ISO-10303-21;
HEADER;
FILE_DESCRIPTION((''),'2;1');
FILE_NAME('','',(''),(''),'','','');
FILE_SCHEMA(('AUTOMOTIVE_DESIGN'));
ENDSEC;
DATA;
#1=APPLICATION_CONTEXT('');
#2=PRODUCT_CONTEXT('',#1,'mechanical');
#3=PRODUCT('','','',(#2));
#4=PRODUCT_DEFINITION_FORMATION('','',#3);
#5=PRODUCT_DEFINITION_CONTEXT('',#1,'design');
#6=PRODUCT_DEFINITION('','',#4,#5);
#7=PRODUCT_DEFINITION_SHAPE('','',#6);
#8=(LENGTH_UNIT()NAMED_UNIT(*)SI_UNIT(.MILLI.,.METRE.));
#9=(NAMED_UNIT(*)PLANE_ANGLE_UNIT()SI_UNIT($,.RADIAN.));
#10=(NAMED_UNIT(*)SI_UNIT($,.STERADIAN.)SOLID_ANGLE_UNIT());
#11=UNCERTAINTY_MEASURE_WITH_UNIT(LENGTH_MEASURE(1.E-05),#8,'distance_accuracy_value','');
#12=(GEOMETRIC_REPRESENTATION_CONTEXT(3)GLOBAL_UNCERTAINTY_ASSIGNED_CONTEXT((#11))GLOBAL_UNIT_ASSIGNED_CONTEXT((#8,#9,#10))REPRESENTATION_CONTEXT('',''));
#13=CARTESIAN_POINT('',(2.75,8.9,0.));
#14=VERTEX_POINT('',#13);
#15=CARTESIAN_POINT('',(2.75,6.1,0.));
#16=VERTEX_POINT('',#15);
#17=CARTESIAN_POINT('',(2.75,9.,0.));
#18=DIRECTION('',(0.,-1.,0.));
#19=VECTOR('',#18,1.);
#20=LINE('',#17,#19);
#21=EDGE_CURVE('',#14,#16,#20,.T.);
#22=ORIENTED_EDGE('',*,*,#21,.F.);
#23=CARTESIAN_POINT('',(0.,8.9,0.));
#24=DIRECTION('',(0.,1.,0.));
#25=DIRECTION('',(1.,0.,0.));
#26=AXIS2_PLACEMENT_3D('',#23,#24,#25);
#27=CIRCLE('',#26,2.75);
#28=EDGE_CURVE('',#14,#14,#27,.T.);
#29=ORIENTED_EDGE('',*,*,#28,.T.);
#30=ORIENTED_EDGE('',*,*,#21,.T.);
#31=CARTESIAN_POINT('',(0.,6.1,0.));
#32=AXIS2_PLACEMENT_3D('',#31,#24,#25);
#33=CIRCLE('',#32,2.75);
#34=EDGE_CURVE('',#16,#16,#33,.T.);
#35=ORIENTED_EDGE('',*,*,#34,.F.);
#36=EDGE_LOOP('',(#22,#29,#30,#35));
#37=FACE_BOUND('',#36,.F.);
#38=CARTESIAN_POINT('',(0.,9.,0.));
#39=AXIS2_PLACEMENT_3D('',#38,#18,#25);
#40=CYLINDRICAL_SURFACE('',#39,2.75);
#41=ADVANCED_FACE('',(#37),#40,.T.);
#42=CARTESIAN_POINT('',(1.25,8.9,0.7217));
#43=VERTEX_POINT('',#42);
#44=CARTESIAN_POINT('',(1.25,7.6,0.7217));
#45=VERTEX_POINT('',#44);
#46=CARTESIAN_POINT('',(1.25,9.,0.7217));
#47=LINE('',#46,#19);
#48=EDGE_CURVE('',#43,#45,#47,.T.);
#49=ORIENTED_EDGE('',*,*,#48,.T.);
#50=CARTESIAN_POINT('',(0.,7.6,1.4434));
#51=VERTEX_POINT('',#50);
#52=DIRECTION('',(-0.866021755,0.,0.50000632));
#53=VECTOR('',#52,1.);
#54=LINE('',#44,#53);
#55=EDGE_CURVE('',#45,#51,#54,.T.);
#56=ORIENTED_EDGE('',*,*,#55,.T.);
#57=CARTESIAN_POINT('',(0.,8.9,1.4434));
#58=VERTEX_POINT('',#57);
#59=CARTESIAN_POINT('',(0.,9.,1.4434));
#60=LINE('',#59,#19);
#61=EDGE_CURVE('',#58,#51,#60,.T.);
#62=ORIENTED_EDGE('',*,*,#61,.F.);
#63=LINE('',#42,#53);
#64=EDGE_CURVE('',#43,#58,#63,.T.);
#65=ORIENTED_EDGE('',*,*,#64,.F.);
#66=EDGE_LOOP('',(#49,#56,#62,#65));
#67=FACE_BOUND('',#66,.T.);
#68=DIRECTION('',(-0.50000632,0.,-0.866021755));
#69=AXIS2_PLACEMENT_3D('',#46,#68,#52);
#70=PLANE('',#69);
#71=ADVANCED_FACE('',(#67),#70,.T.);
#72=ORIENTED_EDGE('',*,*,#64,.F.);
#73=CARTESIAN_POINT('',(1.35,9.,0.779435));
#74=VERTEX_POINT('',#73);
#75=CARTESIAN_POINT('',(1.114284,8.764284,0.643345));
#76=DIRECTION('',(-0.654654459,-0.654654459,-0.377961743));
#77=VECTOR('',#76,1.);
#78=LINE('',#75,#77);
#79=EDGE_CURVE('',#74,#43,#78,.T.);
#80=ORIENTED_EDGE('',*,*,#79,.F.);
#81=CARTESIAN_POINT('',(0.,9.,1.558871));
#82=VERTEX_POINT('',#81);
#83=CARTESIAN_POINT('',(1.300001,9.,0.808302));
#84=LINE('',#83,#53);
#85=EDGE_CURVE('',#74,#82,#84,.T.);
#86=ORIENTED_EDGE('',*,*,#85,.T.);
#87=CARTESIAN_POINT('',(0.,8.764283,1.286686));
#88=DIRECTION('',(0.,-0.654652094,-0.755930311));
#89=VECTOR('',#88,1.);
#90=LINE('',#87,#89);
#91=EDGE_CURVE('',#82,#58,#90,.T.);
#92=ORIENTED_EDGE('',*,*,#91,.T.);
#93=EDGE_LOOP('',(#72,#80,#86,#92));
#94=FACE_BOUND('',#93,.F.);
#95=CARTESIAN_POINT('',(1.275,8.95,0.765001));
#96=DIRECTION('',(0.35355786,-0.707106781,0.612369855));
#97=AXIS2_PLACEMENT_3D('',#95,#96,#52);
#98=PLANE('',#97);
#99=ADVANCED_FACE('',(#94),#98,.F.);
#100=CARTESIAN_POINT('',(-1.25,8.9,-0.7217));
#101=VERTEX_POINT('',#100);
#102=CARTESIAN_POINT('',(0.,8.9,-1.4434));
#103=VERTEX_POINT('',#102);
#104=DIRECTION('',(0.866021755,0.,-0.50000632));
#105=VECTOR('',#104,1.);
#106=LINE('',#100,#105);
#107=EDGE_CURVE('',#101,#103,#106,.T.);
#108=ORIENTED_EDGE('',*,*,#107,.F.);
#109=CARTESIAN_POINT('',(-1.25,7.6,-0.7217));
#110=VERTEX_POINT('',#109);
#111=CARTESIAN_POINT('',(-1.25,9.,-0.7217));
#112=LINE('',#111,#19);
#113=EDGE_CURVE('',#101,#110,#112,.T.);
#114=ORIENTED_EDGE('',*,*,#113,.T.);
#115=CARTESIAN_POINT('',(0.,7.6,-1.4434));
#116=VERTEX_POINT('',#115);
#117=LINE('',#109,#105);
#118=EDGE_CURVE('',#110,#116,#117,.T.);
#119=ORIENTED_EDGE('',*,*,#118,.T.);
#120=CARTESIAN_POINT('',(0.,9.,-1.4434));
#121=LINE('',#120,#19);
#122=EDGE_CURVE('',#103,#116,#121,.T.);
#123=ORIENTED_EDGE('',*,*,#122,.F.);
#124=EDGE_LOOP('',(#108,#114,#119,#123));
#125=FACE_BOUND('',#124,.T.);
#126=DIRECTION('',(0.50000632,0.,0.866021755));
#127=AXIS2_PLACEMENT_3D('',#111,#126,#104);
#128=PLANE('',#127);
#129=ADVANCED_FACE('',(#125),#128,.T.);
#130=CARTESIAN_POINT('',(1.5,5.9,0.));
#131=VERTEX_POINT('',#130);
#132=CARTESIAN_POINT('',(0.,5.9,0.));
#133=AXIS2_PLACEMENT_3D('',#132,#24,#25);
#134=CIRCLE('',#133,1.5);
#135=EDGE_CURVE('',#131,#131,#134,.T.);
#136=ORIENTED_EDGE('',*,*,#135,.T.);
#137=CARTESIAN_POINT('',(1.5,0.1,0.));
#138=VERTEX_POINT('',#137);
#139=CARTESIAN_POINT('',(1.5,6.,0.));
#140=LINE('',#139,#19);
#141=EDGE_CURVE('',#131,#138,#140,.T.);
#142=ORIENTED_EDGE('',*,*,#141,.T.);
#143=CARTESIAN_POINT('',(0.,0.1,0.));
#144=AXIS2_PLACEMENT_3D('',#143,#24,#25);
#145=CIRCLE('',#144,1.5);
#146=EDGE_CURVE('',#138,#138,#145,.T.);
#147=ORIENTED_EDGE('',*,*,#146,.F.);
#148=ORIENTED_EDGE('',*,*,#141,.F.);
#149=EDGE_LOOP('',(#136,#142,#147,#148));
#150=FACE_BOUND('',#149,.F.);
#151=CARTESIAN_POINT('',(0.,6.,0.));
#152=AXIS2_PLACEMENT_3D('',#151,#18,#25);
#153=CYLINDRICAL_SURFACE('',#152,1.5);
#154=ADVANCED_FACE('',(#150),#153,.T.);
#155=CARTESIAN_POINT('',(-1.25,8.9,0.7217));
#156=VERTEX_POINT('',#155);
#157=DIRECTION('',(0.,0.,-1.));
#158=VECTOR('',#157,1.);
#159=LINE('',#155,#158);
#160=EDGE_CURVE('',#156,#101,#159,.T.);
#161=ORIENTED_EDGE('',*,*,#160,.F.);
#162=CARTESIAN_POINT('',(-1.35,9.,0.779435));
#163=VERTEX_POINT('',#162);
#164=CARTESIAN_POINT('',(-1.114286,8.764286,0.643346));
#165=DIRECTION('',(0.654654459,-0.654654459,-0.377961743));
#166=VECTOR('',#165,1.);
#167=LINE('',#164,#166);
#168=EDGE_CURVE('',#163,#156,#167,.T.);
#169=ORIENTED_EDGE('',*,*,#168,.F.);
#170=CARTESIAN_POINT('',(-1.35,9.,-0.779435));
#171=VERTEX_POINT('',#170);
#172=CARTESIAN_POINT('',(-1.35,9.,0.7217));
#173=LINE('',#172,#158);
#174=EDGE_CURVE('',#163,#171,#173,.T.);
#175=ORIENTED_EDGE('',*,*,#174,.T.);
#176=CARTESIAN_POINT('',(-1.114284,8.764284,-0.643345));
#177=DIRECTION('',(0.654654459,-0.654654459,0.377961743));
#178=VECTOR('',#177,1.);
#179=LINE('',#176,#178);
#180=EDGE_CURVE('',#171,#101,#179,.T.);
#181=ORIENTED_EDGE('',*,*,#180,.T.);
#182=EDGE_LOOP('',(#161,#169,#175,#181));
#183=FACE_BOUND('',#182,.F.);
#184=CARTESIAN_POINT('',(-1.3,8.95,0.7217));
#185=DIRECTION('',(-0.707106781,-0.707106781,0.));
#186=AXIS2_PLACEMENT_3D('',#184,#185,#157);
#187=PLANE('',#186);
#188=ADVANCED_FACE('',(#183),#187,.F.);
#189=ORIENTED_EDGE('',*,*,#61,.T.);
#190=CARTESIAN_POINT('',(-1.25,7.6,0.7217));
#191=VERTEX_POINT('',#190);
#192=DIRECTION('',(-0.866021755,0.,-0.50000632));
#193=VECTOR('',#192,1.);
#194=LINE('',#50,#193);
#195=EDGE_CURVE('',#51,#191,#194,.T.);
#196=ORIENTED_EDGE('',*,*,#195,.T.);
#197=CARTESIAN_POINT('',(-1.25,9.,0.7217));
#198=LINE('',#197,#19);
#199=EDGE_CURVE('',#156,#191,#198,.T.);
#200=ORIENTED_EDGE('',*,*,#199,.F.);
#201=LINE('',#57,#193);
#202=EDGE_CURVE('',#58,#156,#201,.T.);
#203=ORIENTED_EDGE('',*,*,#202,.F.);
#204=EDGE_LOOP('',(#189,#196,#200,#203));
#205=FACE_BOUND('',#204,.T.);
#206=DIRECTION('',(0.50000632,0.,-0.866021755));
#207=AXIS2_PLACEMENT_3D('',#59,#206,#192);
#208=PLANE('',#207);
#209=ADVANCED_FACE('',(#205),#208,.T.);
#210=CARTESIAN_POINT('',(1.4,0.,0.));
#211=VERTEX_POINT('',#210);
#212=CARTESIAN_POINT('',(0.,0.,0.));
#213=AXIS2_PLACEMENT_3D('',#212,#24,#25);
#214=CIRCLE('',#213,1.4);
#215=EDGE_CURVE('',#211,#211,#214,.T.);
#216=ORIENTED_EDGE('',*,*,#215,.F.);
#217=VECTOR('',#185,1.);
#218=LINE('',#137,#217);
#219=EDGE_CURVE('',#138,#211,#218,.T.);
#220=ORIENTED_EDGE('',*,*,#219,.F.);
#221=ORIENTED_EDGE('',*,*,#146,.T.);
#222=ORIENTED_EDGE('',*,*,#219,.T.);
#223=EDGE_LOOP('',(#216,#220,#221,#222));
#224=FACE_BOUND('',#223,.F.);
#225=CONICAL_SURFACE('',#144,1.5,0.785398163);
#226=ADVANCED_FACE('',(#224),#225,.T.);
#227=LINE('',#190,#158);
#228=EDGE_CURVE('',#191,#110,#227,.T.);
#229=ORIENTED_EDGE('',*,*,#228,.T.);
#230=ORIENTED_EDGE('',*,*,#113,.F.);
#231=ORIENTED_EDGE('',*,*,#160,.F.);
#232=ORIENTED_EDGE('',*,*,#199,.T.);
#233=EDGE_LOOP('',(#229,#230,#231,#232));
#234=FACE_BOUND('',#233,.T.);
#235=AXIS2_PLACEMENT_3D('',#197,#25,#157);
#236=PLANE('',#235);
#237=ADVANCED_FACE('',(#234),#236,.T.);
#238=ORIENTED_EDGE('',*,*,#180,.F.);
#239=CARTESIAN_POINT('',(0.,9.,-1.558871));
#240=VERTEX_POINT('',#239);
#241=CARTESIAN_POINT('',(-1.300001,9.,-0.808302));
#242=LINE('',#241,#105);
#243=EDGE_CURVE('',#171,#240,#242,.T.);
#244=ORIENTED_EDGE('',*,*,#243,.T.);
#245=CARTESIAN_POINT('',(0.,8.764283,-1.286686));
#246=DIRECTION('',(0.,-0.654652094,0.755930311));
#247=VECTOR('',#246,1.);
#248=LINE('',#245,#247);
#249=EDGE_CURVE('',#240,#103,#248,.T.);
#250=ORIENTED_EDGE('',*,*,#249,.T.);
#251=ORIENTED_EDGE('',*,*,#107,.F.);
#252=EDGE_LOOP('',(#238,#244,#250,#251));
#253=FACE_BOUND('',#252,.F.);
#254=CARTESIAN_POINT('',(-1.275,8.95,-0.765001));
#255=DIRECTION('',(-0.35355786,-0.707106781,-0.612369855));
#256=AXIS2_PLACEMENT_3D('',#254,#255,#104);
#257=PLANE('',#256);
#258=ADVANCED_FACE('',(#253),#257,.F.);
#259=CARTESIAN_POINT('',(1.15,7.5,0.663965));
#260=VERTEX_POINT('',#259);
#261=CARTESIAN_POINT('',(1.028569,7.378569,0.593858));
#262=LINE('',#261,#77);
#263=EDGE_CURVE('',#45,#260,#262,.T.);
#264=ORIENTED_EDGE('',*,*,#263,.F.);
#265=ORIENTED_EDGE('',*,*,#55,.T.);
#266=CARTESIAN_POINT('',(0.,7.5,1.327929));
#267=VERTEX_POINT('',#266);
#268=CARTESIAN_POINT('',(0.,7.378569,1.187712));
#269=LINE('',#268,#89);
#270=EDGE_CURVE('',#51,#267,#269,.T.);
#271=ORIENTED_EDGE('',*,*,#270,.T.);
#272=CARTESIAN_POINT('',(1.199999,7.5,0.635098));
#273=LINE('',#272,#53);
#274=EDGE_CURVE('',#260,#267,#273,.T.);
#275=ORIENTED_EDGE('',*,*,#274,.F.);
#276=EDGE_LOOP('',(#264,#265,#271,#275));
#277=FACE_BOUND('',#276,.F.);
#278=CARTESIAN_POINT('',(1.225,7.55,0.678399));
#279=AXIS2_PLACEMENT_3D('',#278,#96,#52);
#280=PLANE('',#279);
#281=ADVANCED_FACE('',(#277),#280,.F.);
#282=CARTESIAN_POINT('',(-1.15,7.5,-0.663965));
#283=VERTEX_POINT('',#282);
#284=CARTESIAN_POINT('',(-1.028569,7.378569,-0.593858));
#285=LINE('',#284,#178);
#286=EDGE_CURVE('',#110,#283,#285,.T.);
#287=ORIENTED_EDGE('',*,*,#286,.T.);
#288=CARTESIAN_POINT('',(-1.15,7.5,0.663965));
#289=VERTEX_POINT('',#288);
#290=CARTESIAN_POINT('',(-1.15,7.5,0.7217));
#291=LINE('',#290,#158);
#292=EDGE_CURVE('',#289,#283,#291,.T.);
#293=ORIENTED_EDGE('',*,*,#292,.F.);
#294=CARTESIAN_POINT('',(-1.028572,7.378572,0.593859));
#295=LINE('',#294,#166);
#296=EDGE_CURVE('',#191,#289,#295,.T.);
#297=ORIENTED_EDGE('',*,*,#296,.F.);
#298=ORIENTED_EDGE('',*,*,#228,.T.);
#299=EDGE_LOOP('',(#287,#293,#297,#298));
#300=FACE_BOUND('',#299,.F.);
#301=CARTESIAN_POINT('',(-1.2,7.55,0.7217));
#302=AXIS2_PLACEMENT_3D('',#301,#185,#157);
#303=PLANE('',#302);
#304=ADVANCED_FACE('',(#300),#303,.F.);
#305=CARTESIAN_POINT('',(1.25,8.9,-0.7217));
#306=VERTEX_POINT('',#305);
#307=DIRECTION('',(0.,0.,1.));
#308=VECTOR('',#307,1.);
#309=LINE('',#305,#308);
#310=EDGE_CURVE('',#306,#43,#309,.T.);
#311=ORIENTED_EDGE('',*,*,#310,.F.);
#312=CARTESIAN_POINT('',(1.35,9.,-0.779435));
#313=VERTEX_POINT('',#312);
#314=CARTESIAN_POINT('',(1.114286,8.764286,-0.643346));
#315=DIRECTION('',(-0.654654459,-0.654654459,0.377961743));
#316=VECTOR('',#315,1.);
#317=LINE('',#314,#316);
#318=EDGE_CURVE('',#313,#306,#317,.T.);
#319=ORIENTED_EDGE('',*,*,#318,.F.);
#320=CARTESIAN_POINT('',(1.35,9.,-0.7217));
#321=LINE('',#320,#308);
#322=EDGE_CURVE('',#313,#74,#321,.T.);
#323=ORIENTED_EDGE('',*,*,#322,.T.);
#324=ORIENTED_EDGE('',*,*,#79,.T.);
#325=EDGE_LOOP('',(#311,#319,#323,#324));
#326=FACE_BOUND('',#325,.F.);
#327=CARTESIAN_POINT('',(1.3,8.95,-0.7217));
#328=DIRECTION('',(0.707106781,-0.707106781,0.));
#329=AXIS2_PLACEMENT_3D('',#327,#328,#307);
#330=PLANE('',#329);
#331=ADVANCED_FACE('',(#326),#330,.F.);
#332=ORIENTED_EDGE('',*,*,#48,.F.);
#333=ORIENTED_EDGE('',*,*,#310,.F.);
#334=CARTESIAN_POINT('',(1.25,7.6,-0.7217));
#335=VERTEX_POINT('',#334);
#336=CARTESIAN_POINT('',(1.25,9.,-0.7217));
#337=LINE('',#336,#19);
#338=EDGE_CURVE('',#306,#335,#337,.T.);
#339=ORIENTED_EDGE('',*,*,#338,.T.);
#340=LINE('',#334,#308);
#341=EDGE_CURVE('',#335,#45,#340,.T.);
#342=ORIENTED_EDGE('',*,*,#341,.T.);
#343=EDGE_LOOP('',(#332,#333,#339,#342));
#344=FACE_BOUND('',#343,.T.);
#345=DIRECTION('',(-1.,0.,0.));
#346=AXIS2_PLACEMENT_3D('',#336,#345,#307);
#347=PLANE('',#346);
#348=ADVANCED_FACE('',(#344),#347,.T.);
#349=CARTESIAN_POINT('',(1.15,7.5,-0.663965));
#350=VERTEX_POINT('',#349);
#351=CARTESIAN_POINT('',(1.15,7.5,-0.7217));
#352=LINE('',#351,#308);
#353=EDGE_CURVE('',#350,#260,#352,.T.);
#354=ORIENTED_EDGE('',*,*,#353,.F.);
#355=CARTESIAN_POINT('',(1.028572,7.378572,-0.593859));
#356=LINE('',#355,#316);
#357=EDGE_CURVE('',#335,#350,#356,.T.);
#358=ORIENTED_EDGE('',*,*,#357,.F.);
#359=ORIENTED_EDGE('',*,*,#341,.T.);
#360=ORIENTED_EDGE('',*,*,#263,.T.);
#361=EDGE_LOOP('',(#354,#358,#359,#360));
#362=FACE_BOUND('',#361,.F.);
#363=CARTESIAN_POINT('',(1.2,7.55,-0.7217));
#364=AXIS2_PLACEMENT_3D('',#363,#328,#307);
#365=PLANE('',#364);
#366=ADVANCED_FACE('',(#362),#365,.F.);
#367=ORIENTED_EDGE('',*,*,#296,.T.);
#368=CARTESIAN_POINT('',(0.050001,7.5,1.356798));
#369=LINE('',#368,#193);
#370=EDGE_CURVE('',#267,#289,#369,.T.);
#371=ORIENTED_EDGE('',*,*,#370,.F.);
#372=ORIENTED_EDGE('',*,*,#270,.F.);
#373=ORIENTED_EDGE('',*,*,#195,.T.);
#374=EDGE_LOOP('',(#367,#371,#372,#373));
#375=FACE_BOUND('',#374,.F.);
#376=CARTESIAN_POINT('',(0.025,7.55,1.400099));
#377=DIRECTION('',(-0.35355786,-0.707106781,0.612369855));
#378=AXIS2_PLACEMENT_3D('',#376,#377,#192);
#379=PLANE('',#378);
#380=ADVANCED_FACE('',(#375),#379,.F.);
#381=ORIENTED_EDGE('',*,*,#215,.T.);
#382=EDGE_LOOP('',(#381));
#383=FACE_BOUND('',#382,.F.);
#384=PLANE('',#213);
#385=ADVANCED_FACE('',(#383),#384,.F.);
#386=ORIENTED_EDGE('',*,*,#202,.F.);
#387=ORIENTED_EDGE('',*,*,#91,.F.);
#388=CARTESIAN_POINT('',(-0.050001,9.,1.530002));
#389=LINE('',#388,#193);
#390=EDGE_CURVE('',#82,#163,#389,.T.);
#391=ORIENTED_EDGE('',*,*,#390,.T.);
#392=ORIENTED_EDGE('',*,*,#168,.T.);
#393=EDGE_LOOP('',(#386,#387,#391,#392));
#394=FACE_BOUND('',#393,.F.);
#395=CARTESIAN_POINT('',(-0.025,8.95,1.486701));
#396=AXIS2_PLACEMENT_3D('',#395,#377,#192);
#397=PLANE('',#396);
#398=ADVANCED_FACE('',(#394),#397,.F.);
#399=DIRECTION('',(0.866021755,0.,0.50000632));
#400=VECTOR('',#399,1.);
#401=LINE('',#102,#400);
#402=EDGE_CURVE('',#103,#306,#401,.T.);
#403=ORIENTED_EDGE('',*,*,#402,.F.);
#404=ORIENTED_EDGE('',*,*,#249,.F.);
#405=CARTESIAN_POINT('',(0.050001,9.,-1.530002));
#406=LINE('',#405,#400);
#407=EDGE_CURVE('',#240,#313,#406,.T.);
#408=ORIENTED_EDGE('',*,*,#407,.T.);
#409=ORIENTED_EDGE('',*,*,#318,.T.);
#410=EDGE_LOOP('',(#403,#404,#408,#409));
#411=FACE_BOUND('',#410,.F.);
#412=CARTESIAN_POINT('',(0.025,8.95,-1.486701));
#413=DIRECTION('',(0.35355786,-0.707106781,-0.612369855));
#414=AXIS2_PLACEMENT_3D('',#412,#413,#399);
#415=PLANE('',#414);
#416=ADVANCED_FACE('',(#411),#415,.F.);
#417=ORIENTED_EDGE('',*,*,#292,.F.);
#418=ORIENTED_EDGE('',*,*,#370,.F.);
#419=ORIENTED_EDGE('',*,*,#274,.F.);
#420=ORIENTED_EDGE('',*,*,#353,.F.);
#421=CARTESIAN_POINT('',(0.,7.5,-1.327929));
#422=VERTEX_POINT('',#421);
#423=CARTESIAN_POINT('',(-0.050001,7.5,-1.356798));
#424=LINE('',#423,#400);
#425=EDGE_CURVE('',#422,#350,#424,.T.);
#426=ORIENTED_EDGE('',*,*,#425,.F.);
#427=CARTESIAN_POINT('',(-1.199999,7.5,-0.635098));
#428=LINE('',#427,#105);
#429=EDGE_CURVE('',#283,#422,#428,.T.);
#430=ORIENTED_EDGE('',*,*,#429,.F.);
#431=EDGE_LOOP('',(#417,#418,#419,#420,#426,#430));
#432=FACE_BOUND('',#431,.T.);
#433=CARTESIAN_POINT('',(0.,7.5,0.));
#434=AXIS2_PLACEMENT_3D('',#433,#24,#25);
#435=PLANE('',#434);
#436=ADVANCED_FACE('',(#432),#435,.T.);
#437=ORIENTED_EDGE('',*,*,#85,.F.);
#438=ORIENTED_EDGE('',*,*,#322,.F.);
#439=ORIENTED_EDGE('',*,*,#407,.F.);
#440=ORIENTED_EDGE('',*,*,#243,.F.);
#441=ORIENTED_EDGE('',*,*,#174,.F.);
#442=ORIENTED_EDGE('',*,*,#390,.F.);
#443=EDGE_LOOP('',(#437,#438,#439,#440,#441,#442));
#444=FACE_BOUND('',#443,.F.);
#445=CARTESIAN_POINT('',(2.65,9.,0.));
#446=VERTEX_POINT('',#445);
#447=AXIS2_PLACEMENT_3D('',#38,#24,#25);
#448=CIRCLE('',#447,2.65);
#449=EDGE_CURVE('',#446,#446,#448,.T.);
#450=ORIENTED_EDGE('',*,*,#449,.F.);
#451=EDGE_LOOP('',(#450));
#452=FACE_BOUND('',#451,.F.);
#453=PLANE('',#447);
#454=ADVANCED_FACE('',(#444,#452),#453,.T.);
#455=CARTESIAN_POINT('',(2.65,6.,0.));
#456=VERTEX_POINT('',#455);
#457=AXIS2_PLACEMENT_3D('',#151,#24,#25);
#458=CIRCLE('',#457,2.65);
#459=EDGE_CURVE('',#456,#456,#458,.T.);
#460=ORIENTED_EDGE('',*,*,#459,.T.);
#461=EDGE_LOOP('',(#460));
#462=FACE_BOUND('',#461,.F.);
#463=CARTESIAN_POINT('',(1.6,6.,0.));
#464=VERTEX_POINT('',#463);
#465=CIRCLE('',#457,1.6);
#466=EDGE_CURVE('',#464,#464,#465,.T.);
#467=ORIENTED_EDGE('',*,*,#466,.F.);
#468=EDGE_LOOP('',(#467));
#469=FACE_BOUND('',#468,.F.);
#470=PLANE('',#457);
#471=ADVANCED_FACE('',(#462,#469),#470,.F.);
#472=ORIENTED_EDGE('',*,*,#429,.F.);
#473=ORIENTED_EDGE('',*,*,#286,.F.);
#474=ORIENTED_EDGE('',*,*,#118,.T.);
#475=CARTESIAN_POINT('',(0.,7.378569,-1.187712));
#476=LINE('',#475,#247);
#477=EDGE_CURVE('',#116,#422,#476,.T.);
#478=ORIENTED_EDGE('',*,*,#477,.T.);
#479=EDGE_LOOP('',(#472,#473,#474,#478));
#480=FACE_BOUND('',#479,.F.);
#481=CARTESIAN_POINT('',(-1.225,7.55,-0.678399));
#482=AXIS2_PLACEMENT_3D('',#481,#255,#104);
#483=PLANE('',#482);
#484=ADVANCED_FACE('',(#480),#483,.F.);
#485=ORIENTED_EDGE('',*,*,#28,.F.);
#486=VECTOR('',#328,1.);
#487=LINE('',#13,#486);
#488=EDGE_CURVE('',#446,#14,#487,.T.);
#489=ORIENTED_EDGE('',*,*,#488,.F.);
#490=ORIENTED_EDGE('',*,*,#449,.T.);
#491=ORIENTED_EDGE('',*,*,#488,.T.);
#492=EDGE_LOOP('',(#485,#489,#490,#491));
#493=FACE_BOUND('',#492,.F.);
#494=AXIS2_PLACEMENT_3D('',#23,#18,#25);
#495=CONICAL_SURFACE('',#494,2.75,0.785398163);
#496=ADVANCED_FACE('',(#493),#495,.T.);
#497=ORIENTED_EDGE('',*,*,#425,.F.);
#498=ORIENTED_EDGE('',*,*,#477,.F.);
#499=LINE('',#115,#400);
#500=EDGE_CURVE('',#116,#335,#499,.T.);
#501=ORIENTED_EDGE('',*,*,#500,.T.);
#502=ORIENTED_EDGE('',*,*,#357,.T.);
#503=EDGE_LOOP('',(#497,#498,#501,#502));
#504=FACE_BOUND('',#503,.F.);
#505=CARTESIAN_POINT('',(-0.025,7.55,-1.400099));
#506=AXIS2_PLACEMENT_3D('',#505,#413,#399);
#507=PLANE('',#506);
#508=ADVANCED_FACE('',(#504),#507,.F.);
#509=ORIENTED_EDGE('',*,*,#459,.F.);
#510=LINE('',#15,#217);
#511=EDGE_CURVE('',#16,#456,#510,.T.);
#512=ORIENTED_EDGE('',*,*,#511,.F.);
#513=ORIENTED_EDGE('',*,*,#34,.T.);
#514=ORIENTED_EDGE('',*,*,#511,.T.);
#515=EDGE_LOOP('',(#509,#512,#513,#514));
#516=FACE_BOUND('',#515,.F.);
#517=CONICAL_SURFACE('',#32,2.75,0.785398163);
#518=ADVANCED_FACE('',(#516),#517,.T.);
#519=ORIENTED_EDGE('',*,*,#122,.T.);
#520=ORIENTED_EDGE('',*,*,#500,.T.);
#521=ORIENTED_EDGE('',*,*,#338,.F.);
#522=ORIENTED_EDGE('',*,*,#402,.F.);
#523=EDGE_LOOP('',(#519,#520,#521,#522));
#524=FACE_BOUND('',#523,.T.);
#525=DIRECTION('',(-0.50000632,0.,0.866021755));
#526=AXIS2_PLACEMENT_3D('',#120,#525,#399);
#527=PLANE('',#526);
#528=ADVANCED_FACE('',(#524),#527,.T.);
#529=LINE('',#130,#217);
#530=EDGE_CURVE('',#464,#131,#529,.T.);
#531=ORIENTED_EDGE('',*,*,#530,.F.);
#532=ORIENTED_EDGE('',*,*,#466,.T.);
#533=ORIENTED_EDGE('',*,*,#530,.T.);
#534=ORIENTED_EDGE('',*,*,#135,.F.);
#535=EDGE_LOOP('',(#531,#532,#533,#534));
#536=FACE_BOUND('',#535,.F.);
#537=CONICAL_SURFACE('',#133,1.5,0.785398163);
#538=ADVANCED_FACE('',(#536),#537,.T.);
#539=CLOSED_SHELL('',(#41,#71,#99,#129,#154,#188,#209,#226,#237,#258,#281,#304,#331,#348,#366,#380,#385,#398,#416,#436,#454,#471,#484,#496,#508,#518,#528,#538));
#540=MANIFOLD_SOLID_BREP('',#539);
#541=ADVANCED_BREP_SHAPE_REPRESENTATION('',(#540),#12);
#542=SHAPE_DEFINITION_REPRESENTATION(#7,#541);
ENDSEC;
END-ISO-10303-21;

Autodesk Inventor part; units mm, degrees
ref_plane "YZ Plane" through (0, 0, 0) normal (1, 0, 0) x (0, 1, 0)
ref_plane "XZ Plane" through (0, 0, 0) normal (0, 1, 0) x (-1, 0, 0)
ref_plane "XY Plane" through (0, 0, 0) normal (0, 0, 1) x (1, 0, 0)
sketch "Sketch1" plane through (0, 0, 0) normal (0, 0, 1) x (1, 0, 0)
  line L0 (0, 9) -> (2.75, 9)
  line L1 (2.75, 9) -> (2.75, 6)
  line L2 (2.75, 6) -> (1.5, 6)
  line L3 (1.5, 6) -> (1.5, 0)
  line L4 (1.5, 0) -> (0, 0)
  line L5 (0, 0) -> (0, 9)
  dimension "d0" = 2.75
  dimension "d1" = 3
  dimension "d2" = 6
  dimension "d3" = 1.5
revolve "Revolution1" add sketch "Sketch1" angle 360 about axis through (0, 0, 0) along (0, 1, 0)
thread "Thread1" size "M3x0.5" class "6g" standard "ANSI Metric M Profile" full length
sketch "Sketch3" plane through (0, 9, 0) normal (0, 1, 0) x (1, 0, 0)
  line L0 (1.25, -0.7217) -> (0, -1.4434)
  line L1 (0, -1.4434) -> (-1.25, -0.7217)
  line L2 (-1.25, -0.7217) -> (-1.25, 0.7217)
  line L3 (-1.25, 0.7217) -> (0, 1.4434)
  line L4 (0, 1.4434) -> (1.25, 0.7217)
  line L5 (1.25, 0.7217) -> (1.25, -0.7217)
  point P0 (0, 0)
  point P1 (0, 0)
  dimension "d13" = 2.5
extrude "Extrusion2" cut sketch "Sketch3" against normal blind 1.5
chamfer "Chamfer2" distance 0.1 angle 45 16 edges at (0.625, 9, 1.0825) (1.25, 9, 0) (1.25, 7.5, 0) (0.625, 9, -1.0825) (0.625, 7.5, -1.0825) (-0.625, 9, -1.0825) (-0.625, 7.5, -1.0825) (-1.25, 7.5, 0) (-1.25, 9, 0) (-0.625, 7.5, 1.0825) (-0.625, 9, 1.0825) (0.625, 7.5, 1.0825) (-2.75, 9, 0) (-2.75, 6, 0) (-1.5, 6, 0) (-1.5, 0, 0)
properties part number "M3 X 6"
